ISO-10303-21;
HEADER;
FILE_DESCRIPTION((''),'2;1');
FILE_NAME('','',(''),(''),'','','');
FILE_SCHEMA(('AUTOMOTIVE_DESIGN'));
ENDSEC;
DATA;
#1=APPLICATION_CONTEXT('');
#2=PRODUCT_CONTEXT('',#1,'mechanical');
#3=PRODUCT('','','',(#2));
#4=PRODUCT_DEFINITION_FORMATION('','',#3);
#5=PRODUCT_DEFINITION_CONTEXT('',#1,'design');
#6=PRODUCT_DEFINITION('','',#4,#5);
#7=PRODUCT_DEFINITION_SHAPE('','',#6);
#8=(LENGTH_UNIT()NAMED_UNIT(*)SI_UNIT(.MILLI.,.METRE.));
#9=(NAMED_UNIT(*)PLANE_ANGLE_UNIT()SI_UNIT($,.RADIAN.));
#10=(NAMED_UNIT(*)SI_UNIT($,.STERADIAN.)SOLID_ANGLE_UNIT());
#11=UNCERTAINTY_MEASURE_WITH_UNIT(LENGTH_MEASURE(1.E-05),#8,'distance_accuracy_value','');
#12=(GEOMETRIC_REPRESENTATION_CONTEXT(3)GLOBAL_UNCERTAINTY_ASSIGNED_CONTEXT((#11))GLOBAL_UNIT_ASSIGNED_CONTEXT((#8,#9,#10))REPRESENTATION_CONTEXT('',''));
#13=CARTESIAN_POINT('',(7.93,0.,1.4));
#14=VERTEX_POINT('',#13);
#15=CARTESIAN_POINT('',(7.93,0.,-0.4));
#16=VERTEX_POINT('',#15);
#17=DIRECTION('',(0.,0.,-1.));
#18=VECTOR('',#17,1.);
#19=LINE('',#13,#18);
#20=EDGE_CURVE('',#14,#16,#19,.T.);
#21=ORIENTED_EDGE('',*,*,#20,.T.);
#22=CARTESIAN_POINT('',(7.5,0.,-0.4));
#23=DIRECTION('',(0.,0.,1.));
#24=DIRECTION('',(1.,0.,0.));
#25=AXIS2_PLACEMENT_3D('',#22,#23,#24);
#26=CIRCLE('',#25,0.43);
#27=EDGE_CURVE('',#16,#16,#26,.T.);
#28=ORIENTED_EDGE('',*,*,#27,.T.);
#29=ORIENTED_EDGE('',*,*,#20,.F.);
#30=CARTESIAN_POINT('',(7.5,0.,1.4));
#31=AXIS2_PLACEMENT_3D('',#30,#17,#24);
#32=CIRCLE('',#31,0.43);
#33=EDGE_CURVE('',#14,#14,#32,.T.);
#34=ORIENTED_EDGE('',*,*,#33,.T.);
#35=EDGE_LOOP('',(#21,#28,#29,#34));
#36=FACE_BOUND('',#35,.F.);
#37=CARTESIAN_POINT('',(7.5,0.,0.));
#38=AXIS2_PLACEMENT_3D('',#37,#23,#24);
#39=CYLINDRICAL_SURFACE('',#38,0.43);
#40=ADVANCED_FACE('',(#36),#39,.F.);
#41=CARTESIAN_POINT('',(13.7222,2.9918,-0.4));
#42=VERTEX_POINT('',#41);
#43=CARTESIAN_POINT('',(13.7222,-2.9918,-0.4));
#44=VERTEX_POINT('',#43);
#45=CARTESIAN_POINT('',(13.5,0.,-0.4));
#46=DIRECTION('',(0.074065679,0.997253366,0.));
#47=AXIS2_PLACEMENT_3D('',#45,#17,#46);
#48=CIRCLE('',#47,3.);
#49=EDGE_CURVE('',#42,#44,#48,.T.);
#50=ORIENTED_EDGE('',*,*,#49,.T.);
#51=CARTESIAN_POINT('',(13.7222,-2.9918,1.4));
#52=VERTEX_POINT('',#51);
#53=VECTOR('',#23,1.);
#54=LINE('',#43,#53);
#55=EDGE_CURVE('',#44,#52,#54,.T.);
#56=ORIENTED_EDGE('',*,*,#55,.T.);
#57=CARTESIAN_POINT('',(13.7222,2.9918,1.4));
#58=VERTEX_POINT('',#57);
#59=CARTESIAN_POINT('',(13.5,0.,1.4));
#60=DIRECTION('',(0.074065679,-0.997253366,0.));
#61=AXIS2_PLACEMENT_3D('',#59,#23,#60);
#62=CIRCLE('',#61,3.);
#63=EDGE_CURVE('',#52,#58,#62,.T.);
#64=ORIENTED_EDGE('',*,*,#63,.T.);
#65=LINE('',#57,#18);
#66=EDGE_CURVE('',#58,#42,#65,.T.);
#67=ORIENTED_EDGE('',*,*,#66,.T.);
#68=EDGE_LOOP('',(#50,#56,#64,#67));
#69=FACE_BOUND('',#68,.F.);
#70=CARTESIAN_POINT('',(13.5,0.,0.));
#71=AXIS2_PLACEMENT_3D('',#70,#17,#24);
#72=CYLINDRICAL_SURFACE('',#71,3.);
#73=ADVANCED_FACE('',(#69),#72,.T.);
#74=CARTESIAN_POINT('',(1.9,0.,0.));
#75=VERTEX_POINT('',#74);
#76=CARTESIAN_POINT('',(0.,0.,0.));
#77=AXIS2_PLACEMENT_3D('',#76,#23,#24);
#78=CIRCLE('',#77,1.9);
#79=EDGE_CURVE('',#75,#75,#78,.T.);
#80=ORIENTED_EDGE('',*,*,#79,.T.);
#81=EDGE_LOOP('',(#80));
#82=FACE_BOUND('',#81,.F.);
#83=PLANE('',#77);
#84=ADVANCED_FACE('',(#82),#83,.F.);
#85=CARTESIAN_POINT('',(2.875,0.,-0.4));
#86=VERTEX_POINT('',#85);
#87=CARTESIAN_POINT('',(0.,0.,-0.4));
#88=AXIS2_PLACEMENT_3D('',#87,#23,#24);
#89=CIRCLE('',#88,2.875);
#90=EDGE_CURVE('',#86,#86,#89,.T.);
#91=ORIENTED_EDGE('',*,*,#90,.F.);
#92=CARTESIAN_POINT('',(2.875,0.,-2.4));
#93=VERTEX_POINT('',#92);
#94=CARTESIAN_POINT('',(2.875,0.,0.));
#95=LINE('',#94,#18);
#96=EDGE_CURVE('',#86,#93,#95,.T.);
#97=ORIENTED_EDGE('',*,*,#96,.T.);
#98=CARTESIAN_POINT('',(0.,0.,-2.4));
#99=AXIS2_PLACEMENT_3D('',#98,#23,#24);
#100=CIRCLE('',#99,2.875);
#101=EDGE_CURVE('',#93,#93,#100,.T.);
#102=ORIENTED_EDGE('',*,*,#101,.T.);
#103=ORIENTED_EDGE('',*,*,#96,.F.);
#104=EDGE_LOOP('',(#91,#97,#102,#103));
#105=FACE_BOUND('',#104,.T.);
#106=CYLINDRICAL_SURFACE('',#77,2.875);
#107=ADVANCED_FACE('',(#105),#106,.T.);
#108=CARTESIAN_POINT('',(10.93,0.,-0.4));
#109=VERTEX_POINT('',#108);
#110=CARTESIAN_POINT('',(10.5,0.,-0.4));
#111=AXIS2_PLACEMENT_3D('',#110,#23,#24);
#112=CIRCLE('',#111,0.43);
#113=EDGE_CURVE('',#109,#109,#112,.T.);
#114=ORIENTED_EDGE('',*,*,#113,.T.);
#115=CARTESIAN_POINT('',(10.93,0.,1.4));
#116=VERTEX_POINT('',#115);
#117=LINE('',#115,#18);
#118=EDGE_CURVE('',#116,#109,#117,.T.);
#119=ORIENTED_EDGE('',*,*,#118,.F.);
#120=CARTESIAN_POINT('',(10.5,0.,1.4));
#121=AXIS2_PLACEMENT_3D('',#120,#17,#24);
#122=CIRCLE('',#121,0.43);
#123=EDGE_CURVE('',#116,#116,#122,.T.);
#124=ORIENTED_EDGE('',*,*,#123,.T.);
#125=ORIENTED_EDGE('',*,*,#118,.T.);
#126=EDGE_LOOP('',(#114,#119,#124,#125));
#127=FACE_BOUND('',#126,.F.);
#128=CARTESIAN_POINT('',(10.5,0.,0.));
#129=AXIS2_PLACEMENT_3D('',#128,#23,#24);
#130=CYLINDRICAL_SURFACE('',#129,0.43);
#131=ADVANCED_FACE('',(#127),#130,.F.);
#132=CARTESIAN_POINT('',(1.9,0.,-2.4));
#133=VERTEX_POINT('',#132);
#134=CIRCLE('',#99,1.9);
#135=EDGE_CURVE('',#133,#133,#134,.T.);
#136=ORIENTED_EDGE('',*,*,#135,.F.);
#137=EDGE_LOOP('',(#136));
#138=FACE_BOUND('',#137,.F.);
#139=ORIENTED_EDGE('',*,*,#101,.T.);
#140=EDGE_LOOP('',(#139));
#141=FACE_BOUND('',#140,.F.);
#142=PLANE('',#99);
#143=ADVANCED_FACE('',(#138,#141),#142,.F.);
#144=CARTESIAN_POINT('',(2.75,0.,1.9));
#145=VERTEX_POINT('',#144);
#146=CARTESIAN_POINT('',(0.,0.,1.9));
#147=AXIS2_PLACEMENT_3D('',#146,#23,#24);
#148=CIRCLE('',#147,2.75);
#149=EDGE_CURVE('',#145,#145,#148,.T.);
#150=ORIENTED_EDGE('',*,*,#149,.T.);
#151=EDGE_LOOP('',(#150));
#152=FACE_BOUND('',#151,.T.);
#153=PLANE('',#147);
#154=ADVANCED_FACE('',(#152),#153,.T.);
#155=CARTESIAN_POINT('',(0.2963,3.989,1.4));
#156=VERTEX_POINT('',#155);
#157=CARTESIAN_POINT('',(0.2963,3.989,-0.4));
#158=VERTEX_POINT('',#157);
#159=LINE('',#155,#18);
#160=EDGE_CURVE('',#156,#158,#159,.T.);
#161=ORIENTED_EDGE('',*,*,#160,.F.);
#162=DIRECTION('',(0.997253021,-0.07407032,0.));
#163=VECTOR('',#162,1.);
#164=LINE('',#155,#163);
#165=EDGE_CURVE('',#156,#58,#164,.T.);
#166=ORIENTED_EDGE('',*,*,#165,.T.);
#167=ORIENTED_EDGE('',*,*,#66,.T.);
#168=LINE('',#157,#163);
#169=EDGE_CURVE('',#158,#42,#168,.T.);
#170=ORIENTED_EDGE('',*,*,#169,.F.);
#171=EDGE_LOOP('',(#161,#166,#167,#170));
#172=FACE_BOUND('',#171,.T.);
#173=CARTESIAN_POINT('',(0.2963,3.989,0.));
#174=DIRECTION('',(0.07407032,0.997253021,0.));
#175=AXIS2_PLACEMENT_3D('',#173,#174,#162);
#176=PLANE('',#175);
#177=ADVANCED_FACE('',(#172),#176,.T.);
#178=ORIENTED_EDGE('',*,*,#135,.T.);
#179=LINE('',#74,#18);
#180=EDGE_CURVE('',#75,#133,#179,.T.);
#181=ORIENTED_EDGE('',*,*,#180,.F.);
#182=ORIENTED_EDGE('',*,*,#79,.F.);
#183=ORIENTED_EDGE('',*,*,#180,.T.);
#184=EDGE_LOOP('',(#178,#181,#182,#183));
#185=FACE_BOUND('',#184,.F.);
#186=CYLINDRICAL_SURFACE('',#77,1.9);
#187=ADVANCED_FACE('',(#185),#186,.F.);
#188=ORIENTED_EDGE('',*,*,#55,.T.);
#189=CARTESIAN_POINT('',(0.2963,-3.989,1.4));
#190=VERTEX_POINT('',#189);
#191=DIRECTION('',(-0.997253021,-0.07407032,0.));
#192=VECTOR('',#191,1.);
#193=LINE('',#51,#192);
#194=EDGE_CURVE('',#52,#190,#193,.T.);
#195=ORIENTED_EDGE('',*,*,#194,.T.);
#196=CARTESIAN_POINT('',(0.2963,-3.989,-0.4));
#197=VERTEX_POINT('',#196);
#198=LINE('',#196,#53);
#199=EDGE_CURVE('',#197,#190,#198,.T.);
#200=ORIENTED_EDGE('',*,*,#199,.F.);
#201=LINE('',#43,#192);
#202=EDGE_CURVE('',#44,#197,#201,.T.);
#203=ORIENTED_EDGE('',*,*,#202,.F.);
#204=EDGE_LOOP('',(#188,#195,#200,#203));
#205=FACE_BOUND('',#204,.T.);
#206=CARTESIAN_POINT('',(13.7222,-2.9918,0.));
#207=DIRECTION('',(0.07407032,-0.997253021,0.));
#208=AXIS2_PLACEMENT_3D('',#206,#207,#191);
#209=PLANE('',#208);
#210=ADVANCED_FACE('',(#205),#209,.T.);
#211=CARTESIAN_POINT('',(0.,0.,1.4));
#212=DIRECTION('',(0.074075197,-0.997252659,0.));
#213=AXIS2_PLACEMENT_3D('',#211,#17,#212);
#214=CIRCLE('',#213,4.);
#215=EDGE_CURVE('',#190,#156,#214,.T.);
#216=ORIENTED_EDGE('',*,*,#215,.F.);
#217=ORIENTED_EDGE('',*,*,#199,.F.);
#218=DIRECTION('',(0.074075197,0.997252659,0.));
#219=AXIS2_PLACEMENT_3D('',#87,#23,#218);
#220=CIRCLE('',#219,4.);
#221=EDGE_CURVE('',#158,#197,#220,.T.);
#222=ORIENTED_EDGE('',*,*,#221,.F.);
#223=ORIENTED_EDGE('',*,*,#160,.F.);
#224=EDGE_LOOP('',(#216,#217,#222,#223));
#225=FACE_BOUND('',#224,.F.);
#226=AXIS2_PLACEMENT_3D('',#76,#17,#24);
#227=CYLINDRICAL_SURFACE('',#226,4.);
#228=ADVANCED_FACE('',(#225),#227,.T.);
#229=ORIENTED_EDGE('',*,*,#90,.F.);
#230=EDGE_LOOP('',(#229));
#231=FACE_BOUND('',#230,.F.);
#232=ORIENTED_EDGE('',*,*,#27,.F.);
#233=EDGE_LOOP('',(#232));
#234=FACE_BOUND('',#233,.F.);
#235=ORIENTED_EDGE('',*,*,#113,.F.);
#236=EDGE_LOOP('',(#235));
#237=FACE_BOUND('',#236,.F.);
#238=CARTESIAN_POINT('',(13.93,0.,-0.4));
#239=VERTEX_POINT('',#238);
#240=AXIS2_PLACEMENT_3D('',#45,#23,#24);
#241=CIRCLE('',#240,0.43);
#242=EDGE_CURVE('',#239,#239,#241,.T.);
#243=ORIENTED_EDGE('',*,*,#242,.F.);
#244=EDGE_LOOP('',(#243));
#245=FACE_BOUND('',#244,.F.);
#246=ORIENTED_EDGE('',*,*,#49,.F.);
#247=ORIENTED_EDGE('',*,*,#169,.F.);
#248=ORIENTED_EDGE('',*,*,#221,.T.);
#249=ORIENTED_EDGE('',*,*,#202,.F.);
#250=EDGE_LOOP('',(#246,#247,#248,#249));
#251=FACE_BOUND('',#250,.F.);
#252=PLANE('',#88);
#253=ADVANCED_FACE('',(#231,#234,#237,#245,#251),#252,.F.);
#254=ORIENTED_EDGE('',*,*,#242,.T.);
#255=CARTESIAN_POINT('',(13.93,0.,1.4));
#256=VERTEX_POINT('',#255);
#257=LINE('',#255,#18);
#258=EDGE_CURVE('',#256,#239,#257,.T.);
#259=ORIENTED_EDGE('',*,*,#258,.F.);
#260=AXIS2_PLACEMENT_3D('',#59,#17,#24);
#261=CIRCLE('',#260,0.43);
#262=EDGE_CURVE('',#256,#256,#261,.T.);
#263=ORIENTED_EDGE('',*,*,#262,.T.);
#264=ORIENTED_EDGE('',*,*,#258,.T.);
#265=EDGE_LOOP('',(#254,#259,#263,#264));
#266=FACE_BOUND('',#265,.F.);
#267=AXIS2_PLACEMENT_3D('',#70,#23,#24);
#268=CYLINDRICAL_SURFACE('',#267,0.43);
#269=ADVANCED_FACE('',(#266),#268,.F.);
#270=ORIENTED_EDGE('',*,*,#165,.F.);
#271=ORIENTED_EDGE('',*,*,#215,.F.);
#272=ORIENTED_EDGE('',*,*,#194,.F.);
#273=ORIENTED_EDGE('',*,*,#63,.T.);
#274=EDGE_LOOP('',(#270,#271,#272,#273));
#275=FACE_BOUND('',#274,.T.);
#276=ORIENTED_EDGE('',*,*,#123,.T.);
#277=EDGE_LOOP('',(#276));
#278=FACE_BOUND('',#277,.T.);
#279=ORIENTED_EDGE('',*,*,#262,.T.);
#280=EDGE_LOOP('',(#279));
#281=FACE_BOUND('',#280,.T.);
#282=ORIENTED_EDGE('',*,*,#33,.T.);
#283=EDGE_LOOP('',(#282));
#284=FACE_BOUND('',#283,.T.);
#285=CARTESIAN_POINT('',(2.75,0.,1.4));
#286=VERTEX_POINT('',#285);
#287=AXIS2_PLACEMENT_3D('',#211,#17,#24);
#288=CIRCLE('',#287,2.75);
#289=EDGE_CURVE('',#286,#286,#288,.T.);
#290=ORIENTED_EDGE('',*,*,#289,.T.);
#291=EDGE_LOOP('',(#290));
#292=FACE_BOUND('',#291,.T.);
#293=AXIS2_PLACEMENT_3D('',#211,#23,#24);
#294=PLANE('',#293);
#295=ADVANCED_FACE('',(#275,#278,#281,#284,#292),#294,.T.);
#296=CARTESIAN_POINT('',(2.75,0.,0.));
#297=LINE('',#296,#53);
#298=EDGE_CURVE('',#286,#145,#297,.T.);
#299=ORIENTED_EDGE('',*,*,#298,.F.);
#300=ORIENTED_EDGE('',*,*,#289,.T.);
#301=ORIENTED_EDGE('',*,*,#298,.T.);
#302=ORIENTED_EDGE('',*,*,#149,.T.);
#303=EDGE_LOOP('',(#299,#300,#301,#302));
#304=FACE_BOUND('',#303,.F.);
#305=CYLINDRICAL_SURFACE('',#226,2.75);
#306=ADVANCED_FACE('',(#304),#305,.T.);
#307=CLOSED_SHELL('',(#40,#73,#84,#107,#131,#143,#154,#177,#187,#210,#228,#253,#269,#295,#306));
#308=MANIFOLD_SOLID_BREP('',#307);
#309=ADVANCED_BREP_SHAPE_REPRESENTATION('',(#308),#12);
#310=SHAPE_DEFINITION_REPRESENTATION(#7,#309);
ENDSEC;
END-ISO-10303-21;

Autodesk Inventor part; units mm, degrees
sketch "スケッチ1" plane through (0, 0, 0) normal (0, 0, 1) x (1, 0, 0)
  circle A0 centre (0, 0) radius 2.875
  dimension "d0" = 5.75
extrude "押し出し1" add sketch "スケッチ1" against normal blind 2.4
sketch "スケッチ2" plane through (0, 0, 0) normal (0, 0, 1) x (1, 0, 0)
  circle A0 centre (0, 0) radius 2.75
  dimension "d3" = 5.5
extrude "押し出し2" add sketch "スケッチ2" along normal blind 1.9
sketch "スケッチ3" plane through (0, 0, 0) normal (0, 0, 1) x (1, 0, 0)
  circle A0 centre (0, 0) radius 4
  circle A1 centre (13.5, 0) radius 3
  line L0 (-5.7629, 0) -> (13.5774, 0) projected
  line L1 (0.2963, 3.989) -> (13.7222, 2.9918)
  line L2 (13.7222, -2.9918) -> (0.2963, -3.989)
  dimension "d6" = 8
  dimension "d7" = 6
  dimension "d8" = 13.5
extrude "押し出し3" add sketch "スケッチ3" along normal blind 1.4 and the other way blind 0.4
sketch "スケッチ4" plane through (0, 0, 0) normal (0, 0, 1) x (1, 0, 0)
  circle A0 centre (13.5, 0) radius 0.43
  point P0 (0, 0)
  dimension "d13" = 0.86
  dimension "d15" = 13.5
extrude "押し出し4" cut sketch "スケッチ4" along normal through all both and the other way through all
sketch "スケッチ5" plane through (0, 0, 0) normal (0, 0, 1) x (1, 0, 0)
  circle A0 centre (0, 0) radius 1.9
  dimension "d22" = 3.8
extrude "押し出し5" cut sketch "スケッチ5" against normal through all
pattern_linear "矩形状パターン1" count 3 spacing 3 along (-1, 0, 0) of "押し出し4"
properties part number "ASV-15MGSingleHorn01"
